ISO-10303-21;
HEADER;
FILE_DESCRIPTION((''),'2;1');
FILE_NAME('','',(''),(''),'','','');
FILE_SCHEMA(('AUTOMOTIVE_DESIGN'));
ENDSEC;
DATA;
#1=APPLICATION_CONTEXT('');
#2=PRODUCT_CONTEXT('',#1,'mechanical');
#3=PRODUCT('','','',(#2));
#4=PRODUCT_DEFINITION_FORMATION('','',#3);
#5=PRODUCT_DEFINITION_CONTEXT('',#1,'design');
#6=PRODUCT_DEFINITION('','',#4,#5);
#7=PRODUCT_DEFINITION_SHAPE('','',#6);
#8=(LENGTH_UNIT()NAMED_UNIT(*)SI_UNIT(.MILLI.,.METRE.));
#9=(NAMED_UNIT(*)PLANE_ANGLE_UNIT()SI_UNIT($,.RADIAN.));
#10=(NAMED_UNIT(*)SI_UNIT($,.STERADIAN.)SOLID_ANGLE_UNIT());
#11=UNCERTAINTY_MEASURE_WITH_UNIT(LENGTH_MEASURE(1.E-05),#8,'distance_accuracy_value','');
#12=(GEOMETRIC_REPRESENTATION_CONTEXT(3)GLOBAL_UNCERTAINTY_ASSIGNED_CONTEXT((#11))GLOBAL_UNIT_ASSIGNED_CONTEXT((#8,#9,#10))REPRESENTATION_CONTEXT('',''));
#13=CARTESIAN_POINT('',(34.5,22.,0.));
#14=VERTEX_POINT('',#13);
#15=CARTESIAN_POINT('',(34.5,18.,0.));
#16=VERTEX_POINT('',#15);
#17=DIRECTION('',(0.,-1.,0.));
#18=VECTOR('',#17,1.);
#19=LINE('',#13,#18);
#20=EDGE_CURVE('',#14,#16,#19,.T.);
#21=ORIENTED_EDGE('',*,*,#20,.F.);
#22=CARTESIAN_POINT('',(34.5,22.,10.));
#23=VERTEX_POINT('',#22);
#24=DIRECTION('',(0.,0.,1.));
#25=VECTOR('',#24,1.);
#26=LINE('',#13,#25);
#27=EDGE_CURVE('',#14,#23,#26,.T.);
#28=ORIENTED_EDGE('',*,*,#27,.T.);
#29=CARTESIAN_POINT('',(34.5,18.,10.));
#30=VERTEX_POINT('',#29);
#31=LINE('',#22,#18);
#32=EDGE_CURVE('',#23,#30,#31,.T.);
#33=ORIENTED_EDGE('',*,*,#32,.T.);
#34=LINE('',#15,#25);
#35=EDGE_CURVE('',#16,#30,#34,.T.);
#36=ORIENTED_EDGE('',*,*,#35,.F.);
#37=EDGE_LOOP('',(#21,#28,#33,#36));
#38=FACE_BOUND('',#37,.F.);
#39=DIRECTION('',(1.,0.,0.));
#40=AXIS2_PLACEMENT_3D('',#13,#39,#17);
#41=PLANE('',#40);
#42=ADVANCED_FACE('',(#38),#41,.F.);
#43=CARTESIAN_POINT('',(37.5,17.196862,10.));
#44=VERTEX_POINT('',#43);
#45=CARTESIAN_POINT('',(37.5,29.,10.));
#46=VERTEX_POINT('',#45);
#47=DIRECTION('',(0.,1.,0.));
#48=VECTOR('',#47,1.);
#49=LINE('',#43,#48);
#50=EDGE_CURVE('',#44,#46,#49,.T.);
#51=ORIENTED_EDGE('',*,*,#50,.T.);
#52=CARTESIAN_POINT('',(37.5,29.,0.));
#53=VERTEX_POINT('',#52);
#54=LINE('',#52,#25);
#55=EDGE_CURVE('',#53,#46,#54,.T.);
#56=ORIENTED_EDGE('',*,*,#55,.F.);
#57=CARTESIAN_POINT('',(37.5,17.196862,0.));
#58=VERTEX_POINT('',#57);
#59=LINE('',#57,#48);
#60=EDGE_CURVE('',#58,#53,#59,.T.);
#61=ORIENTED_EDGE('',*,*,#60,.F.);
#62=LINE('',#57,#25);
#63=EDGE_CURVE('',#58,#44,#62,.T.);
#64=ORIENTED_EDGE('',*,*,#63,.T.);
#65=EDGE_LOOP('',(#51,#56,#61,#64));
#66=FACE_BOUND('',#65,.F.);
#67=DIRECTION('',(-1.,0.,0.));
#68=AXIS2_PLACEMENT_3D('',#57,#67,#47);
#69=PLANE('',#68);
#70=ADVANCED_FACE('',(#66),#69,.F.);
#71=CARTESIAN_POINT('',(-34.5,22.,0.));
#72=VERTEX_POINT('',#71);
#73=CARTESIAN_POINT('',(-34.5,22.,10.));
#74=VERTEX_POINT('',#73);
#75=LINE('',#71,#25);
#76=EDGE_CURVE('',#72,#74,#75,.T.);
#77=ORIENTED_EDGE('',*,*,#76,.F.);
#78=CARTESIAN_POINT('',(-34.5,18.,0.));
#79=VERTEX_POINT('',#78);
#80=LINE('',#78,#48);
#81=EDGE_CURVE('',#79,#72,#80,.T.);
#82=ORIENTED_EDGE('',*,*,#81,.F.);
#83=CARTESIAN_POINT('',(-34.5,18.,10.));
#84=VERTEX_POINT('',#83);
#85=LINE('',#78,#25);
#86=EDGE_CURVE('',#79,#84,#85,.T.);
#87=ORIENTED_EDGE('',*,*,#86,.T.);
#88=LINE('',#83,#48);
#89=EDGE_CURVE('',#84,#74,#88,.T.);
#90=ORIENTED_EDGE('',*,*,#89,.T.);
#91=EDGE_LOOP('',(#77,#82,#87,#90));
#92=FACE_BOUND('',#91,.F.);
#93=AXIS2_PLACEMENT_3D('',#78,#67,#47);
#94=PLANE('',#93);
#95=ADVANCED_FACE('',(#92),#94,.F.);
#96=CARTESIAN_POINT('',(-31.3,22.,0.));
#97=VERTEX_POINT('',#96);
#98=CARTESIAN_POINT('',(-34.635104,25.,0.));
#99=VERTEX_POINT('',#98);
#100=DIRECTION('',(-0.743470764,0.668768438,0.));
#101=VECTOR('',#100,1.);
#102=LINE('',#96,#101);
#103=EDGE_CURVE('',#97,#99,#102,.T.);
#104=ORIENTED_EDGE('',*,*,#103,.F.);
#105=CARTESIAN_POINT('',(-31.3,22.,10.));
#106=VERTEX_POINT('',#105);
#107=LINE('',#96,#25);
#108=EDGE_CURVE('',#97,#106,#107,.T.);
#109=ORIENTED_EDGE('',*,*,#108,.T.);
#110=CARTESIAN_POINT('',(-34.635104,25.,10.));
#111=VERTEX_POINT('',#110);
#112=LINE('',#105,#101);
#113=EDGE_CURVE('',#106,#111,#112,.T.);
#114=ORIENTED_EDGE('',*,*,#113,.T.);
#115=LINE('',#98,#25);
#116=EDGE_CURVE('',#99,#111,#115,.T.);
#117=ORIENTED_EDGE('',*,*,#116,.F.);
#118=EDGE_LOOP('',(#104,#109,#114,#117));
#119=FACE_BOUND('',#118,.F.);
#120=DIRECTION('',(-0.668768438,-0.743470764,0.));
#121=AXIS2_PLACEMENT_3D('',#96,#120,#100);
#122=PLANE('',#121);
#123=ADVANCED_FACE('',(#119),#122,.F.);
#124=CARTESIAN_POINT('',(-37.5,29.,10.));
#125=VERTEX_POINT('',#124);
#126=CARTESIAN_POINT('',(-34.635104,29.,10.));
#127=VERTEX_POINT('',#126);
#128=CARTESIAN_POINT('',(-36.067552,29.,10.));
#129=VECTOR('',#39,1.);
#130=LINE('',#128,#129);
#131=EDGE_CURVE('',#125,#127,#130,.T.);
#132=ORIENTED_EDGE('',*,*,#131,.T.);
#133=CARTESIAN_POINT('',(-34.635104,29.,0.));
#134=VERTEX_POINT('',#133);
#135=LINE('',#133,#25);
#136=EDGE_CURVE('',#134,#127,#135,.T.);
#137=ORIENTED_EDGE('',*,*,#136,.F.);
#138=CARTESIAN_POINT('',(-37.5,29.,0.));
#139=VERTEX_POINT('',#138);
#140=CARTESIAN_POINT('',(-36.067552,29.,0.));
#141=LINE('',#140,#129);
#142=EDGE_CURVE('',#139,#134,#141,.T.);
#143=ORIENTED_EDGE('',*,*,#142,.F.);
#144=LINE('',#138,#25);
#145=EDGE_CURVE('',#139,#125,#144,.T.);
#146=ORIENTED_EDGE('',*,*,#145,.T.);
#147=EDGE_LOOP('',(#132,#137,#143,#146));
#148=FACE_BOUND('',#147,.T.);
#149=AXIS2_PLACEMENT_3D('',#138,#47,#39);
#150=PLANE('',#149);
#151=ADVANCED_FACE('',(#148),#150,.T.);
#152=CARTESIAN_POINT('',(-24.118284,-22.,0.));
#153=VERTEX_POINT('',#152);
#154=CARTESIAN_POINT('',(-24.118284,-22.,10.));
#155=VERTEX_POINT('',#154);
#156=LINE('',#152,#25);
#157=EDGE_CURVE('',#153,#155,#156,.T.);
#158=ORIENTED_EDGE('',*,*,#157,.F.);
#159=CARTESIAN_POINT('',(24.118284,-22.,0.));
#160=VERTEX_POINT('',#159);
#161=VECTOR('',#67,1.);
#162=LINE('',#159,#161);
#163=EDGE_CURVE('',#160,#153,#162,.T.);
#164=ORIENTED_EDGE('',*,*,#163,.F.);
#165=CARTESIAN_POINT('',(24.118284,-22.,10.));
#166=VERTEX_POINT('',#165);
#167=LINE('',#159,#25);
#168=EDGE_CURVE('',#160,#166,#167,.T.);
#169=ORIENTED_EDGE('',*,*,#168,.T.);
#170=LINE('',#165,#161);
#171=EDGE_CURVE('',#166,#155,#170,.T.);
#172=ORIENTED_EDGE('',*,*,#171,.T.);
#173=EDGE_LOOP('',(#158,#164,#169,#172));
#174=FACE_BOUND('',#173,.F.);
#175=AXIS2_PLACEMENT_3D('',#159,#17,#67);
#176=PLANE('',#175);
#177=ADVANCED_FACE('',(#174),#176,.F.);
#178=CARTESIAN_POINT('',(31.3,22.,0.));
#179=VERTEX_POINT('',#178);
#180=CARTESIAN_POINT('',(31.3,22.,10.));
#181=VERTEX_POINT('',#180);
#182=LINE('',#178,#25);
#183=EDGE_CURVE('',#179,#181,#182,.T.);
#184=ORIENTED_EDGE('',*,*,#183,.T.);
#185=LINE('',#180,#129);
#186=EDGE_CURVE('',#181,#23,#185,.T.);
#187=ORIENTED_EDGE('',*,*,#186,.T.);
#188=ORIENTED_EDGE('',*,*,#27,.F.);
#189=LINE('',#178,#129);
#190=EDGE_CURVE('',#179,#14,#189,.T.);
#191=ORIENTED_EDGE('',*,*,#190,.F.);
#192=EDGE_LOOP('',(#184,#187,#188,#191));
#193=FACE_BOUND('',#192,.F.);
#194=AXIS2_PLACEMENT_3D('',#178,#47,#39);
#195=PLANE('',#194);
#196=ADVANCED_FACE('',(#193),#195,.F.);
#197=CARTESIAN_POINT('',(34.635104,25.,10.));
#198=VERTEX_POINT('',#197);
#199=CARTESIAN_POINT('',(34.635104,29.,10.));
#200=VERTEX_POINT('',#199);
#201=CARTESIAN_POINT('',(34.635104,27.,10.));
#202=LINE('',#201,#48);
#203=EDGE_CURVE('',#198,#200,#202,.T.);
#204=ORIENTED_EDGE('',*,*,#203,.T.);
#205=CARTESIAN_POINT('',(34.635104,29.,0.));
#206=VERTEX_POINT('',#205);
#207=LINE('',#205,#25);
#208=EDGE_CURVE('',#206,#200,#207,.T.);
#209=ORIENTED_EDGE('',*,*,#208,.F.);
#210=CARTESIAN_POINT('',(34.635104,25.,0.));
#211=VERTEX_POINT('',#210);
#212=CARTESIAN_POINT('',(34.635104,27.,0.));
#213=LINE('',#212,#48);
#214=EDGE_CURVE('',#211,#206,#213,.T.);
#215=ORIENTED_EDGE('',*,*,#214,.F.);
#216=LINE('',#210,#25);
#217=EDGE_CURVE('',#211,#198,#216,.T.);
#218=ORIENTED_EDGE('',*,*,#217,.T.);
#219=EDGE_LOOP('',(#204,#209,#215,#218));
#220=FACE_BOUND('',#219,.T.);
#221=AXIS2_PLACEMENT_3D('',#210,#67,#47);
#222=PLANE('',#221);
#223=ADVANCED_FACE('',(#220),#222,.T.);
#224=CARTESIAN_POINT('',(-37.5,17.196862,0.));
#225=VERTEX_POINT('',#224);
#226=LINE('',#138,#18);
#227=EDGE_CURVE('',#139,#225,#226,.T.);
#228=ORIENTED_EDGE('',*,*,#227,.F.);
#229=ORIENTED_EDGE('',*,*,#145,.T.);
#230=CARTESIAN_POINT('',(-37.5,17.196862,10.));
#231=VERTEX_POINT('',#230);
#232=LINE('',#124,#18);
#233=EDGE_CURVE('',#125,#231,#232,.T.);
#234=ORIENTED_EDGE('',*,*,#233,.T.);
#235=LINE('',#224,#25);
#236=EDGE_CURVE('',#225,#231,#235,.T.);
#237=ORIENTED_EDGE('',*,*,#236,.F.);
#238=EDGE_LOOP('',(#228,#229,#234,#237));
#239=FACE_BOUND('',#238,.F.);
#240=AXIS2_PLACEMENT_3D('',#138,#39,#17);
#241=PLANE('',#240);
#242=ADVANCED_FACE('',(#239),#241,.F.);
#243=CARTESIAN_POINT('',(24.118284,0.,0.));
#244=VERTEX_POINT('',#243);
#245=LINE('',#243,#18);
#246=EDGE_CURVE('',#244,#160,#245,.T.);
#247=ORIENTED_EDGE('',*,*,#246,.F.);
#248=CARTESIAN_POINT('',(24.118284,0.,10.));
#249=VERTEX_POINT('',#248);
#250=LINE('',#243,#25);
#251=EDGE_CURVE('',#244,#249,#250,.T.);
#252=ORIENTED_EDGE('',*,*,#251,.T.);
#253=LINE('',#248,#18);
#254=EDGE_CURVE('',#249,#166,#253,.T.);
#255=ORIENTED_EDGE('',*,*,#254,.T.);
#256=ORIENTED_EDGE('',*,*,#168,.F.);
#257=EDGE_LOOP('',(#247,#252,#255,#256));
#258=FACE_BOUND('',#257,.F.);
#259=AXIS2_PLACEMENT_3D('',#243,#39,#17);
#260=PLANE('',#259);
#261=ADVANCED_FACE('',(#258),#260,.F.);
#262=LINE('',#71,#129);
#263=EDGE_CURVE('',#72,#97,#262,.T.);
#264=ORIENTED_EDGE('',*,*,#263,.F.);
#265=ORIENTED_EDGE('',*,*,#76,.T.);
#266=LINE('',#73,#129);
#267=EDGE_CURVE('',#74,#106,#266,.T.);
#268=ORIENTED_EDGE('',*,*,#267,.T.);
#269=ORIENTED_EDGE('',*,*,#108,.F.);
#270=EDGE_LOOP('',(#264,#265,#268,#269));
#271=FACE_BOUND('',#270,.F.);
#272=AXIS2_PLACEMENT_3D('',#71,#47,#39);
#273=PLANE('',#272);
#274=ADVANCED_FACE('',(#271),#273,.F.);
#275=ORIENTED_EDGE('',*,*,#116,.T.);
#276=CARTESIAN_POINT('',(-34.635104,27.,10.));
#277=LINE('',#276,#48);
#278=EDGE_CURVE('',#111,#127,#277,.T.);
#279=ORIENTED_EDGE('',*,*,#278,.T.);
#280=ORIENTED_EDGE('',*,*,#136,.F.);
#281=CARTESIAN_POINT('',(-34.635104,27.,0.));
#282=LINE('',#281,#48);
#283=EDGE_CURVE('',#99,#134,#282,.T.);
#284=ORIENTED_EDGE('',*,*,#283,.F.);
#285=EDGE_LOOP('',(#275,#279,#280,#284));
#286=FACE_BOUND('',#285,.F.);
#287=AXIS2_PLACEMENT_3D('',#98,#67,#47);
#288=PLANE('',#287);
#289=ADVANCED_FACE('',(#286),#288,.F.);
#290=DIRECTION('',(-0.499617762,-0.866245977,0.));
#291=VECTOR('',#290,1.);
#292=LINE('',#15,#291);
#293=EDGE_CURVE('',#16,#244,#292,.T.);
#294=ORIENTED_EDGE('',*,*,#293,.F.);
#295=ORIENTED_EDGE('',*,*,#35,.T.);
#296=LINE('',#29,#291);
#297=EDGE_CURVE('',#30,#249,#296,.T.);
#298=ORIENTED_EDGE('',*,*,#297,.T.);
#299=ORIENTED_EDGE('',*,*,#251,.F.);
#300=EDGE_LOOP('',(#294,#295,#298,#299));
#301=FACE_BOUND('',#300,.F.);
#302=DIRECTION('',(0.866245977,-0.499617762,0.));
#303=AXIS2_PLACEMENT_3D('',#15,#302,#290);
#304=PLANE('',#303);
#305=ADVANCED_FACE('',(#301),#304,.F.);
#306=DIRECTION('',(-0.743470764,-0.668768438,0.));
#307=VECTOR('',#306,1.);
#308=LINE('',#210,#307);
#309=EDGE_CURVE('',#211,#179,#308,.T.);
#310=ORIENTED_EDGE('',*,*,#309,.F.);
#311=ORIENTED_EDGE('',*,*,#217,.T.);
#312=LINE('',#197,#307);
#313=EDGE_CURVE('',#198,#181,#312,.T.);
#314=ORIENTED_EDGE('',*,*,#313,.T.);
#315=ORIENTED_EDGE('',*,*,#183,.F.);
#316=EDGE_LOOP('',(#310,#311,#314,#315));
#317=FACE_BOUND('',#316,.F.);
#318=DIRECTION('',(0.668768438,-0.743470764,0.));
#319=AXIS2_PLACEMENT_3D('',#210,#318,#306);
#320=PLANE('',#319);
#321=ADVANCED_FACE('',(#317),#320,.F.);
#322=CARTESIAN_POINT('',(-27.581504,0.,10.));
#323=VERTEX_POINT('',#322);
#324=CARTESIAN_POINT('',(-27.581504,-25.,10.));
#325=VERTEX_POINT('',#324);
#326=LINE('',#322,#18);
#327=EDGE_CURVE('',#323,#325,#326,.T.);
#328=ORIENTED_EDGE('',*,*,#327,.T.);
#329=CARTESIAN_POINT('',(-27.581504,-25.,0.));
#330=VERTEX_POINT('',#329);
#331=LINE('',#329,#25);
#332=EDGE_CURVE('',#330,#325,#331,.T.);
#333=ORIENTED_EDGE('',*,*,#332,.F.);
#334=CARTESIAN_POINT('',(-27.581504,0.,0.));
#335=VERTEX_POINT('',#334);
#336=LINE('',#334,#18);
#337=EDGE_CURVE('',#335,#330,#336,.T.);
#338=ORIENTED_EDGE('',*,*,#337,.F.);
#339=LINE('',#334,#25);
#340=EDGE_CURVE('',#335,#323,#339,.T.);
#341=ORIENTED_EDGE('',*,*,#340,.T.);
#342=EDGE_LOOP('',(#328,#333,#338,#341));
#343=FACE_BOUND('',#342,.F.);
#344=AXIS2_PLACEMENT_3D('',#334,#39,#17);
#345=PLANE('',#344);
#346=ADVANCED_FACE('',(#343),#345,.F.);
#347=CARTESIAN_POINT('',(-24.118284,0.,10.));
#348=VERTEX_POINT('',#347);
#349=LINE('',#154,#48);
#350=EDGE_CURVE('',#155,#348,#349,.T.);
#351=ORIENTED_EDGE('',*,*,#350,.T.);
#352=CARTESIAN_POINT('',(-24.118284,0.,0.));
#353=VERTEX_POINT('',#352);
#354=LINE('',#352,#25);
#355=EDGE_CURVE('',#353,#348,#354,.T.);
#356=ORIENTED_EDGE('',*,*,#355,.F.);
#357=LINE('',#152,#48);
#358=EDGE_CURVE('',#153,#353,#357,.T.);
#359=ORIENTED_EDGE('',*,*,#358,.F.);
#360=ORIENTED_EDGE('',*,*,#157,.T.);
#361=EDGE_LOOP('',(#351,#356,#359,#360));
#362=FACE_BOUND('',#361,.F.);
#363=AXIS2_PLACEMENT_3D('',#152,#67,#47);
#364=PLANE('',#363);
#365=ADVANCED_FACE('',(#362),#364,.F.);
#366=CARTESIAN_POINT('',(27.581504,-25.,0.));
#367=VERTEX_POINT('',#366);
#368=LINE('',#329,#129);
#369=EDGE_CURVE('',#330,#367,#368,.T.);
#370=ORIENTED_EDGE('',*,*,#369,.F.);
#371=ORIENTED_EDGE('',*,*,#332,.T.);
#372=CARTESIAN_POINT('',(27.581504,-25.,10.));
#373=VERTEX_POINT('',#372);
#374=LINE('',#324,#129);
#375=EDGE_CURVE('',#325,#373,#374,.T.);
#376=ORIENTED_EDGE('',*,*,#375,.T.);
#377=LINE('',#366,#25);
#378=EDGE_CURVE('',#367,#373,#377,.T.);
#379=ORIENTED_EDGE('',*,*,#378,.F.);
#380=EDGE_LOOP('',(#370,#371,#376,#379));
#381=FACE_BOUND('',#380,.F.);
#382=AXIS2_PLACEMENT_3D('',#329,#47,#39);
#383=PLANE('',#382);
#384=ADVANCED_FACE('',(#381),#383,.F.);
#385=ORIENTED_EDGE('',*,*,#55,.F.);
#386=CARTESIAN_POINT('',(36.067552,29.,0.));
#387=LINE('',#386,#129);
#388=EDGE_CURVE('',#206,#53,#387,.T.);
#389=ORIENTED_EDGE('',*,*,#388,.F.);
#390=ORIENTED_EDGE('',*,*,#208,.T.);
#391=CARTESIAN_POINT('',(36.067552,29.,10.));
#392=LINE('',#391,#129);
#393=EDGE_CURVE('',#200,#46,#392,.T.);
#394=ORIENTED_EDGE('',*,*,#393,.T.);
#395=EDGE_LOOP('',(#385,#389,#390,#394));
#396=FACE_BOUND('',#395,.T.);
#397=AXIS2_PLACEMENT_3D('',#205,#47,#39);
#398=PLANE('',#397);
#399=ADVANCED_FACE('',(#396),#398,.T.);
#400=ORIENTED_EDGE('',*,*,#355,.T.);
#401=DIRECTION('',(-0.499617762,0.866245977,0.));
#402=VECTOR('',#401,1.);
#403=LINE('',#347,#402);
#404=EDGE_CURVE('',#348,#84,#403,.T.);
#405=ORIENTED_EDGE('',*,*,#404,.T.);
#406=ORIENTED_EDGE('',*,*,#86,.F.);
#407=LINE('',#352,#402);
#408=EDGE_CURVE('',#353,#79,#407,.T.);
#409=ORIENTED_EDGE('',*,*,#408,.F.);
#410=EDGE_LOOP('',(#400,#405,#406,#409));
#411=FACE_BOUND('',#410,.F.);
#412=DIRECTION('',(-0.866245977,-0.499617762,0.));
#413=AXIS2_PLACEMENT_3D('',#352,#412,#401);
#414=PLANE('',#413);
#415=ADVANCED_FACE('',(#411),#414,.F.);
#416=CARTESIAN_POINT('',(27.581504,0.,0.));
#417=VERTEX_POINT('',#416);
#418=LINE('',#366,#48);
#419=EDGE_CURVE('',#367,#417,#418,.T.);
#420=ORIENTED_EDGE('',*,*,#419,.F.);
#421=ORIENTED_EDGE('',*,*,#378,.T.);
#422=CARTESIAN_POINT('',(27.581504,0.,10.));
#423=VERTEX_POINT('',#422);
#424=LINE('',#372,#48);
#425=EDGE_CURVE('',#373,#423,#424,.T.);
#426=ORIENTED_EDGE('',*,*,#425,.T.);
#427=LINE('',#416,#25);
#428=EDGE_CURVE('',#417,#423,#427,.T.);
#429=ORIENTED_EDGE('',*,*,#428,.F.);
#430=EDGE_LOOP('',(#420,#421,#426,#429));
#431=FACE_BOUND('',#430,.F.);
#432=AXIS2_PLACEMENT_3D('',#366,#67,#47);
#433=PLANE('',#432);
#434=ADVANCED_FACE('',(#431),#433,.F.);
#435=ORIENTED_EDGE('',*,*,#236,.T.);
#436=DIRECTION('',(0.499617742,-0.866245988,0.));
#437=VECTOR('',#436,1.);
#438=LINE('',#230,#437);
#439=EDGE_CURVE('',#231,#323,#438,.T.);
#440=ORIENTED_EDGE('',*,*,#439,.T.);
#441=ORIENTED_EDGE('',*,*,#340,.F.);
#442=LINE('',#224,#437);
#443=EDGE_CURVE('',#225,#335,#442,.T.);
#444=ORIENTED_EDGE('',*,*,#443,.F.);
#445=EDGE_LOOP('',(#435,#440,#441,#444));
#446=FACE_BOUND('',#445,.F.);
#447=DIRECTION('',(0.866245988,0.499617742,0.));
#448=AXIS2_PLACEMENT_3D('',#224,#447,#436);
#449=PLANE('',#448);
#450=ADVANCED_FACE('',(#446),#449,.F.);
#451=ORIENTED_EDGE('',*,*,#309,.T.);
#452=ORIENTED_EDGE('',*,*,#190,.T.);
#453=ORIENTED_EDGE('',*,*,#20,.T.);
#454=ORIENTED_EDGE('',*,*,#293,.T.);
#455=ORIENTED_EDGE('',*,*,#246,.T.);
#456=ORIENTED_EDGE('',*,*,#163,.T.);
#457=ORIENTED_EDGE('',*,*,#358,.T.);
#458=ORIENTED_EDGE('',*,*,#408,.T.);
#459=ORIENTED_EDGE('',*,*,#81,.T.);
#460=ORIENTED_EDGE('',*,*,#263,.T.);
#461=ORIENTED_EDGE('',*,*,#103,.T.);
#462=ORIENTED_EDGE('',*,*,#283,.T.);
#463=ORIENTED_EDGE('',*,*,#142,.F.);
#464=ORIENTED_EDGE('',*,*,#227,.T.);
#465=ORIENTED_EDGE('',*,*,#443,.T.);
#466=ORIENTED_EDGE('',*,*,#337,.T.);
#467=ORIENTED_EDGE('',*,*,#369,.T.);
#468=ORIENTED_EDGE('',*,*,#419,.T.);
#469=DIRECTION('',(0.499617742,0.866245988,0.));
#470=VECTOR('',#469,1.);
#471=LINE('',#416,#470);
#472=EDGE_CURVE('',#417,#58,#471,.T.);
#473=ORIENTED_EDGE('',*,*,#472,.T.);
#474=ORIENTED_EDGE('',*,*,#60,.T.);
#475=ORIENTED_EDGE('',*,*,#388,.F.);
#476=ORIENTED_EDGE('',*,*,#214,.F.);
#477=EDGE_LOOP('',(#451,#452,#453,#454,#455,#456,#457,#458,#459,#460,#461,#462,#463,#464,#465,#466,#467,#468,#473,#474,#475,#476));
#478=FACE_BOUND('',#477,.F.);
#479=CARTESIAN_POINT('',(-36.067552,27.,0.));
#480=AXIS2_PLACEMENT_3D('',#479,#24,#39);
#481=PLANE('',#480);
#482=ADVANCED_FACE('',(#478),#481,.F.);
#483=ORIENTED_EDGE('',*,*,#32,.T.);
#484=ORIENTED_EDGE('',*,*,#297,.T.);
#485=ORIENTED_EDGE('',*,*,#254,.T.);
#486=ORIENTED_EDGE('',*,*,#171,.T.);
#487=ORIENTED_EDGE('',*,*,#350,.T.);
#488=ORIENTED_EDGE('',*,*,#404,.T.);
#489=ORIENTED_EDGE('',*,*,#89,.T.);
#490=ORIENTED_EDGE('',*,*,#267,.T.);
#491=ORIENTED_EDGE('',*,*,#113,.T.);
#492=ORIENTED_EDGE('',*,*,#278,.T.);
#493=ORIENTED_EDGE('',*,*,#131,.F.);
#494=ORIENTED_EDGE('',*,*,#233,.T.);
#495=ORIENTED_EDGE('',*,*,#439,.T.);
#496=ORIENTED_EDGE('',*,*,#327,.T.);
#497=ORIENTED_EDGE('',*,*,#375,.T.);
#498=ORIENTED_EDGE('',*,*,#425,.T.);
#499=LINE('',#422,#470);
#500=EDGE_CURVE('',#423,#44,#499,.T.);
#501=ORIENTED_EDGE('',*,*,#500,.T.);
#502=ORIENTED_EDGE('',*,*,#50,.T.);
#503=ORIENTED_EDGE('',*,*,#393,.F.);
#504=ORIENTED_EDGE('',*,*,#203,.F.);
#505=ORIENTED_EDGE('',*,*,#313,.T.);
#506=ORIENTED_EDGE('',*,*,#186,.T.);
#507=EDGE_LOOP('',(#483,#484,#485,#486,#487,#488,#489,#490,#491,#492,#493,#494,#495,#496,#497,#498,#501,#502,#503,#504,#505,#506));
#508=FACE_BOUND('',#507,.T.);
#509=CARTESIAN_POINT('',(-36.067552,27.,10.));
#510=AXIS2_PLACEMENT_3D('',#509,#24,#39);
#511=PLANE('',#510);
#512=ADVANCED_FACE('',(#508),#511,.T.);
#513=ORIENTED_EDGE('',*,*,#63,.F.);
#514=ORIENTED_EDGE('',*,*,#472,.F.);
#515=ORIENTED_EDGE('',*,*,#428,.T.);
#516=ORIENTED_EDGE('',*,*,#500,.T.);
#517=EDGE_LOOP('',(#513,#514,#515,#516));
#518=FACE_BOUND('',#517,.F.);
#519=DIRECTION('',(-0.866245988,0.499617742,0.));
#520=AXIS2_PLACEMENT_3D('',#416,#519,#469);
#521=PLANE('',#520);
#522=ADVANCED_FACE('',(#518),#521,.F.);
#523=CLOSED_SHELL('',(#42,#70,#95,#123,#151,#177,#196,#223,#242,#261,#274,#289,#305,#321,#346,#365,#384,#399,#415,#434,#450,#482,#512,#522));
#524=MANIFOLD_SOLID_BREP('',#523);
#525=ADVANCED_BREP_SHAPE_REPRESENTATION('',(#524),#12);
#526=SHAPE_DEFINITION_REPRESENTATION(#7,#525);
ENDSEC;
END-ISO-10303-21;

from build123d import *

# Parameters (mm, degrees)
F0_W     = 2.864896
F0_H     = 4
F1_DEPTH = 10


with BuildPart() as f1:
    # F0 (on Top) → F1 (new body)
    with BuildSketch(Plane.XY):
        with Locations((-36.067552, 27)):
            Rectangle(F0_W, F0_H)
        with Locations((36.067552, 27)):
            Rectangle(F0_W, F0_H)
        Polygon((27.581504, -25), (27.581504, 0), (37.5, 17.196862), (37.5, 25), (34.635104, 25), (31.3, 22), (34.5, 22), (34.5, 18), (25.84857, 3), (24.118284, 0), (24.118284, -22), (-24.118284, -22), (-24.118284, 0), (-25.84857, 3), (-34.5, 18), (-34.5, 22), (-31.3, 22), (-34.635104, 25), (-37.5, 25), (-37.5, 17.196862), (-27.581504, 0), (-27.581504, -25), align=None)
    extrude(amount=F1_DEPTH)


solid = f1.part
